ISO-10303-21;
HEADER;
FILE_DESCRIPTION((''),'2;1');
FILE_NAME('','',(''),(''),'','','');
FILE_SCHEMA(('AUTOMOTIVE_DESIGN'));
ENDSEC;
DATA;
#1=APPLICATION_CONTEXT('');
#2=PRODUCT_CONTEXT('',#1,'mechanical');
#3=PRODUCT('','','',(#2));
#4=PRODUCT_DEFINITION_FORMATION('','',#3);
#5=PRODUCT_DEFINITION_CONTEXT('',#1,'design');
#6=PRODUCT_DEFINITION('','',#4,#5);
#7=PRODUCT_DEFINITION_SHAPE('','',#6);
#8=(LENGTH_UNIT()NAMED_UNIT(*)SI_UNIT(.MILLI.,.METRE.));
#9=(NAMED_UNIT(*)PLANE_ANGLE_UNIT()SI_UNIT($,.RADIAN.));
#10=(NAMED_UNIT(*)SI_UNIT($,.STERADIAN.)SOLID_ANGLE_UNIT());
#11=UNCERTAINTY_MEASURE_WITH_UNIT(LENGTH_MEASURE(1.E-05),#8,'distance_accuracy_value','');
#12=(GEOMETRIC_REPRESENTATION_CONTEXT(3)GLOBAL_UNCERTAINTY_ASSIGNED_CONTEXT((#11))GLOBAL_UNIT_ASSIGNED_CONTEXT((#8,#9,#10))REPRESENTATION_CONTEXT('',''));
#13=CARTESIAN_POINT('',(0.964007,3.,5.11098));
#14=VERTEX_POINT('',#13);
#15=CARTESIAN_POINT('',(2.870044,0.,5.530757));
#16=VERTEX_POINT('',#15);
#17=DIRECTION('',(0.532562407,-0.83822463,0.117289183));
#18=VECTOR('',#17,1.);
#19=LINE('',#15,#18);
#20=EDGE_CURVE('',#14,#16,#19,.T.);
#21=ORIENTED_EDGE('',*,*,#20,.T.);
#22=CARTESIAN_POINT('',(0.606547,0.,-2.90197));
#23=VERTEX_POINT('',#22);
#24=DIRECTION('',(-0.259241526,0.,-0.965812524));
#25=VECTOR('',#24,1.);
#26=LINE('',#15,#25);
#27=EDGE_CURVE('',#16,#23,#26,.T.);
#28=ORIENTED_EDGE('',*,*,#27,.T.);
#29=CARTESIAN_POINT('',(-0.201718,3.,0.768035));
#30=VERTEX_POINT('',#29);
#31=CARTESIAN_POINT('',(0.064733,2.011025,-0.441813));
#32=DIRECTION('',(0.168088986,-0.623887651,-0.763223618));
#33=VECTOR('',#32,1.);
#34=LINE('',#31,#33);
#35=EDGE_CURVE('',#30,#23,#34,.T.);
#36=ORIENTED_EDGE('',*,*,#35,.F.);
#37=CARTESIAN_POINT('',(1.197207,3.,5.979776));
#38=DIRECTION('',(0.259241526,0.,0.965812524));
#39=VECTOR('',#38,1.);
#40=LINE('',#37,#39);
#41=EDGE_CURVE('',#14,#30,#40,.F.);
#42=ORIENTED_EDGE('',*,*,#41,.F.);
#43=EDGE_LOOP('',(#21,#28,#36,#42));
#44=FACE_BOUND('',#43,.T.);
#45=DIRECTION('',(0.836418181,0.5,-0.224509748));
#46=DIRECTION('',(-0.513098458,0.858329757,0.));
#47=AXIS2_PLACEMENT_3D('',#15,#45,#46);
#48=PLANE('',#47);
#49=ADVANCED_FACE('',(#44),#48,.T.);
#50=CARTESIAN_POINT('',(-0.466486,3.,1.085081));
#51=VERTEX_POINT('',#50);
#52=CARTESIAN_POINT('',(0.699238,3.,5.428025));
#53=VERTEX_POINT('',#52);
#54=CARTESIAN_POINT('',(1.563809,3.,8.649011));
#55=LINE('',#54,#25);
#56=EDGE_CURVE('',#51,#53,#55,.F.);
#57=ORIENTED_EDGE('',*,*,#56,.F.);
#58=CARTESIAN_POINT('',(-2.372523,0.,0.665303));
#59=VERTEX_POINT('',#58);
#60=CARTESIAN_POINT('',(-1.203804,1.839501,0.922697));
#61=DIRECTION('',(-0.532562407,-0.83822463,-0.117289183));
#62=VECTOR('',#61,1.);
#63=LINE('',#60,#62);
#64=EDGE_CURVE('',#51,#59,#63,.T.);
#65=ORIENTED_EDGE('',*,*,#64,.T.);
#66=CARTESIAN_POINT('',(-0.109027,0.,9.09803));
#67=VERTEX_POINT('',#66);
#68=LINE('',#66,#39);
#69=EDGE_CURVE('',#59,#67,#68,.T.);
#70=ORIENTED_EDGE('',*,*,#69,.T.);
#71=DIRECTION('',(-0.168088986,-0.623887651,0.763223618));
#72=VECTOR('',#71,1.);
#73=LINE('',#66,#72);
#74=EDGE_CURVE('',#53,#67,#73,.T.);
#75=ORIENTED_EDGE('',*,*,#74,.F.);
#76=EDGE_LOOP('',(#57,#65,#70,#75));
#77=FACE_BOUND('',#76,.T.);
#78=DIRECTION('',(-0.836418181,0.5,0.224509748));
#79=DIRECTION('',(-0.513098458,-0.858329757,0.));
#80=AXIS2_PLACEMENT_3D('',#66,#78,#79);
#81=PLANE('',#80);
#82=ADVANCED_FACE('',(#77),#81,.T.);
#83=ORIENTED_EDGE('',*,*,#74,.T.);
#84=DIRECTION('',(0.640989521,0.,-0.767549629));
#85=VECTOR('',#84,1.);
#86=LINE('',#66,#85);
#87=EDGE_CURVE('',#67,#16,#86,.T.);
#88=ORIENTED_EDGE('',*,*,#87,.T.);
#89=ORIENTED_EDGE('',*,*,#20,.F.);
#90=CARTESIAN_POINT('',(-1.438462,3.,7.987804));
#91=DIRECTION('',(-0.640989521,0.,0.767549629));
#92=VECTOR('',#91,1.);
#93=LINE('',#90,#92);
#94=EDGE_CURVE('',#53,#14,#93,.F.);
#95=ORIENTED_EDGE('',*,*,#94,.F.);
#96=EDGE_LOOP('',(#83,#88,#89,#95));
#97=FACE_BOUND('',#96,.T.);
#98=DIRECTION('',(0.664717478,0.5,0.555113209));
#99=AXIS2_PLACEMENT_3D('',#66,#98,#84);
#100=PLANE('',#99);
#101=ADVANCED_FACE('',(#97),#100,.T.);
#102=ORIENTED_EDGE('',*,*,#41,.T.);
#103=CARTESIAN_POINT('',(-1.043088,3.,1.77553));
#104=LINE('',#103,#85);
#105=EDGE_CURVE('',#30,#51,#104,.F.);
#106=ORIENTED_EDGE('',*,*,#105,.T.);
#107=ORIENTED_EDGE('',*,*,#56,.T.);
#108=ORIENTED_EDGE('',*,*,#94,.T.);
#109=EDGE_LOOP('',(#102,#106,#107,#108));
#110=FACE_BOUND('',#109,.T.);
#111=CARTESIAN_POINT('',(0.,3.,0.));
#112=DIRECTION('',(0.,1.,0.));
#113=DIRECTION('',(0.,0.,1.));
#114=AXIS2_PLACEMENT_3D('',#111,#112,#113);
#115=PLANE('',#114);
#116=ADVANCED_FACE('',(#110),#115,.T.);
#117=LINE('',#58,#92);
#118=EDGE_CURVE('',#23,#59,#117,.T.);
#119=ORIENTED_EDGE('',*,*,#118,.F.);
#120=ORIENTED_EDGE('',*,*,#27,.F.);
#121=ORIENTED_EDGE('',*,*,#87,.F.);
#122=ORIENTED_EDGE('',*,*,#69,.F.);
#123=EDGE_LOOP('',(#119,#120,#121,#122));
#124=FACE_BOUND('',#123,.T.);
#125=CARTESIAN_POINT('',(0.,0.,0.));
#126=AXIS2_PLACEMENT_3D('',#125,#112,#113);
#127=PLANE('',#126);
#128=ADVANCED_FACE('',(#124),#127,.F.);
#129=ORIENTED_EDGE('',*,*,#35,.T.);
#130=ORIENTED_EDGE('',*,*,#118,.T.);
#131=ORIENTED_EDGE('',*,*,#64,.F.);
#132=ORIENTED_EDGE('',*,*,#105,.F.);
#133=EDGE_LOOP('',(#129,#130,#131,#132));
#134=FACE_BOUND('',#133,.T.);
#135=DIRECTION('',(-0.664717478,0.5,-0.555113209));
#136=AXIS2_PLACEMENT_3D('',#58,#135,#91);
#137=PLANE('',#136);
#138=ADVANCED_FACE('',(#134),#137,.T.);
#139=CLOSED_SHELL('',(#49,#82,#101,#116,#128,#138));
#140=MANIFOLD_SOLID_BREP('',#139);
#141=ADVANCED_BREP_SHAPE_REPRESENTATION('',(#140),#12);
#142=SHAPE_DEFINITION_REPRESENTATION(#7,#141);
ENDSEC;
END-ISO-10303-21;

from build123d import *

# Parameters (mm, degrees)
BOSS_EXTRUDE1_DEPTH = 3
BOSS_EXTRUDE1_TAPER = 30


with BuildPart() as part:
    # Sketch1 → Boss-Extrude1 (new body)
    with BuildSketch(Plane(origin=(0, 0, 0), x_dir=(1, 0, 0), z_dir=(0, 1, 0))):
        Polygon((-0.109027256, -9.098030128), (2.870043639, -5.530756897), (0.606547459, 2.901969872), (-2.372523436, -0.66530336), align=None)
    extrude(amount=BOSS_EXTRUDE1_DEPTH, taper=BOSS_EXTRUDE1_TAPER)


solid = part.part
